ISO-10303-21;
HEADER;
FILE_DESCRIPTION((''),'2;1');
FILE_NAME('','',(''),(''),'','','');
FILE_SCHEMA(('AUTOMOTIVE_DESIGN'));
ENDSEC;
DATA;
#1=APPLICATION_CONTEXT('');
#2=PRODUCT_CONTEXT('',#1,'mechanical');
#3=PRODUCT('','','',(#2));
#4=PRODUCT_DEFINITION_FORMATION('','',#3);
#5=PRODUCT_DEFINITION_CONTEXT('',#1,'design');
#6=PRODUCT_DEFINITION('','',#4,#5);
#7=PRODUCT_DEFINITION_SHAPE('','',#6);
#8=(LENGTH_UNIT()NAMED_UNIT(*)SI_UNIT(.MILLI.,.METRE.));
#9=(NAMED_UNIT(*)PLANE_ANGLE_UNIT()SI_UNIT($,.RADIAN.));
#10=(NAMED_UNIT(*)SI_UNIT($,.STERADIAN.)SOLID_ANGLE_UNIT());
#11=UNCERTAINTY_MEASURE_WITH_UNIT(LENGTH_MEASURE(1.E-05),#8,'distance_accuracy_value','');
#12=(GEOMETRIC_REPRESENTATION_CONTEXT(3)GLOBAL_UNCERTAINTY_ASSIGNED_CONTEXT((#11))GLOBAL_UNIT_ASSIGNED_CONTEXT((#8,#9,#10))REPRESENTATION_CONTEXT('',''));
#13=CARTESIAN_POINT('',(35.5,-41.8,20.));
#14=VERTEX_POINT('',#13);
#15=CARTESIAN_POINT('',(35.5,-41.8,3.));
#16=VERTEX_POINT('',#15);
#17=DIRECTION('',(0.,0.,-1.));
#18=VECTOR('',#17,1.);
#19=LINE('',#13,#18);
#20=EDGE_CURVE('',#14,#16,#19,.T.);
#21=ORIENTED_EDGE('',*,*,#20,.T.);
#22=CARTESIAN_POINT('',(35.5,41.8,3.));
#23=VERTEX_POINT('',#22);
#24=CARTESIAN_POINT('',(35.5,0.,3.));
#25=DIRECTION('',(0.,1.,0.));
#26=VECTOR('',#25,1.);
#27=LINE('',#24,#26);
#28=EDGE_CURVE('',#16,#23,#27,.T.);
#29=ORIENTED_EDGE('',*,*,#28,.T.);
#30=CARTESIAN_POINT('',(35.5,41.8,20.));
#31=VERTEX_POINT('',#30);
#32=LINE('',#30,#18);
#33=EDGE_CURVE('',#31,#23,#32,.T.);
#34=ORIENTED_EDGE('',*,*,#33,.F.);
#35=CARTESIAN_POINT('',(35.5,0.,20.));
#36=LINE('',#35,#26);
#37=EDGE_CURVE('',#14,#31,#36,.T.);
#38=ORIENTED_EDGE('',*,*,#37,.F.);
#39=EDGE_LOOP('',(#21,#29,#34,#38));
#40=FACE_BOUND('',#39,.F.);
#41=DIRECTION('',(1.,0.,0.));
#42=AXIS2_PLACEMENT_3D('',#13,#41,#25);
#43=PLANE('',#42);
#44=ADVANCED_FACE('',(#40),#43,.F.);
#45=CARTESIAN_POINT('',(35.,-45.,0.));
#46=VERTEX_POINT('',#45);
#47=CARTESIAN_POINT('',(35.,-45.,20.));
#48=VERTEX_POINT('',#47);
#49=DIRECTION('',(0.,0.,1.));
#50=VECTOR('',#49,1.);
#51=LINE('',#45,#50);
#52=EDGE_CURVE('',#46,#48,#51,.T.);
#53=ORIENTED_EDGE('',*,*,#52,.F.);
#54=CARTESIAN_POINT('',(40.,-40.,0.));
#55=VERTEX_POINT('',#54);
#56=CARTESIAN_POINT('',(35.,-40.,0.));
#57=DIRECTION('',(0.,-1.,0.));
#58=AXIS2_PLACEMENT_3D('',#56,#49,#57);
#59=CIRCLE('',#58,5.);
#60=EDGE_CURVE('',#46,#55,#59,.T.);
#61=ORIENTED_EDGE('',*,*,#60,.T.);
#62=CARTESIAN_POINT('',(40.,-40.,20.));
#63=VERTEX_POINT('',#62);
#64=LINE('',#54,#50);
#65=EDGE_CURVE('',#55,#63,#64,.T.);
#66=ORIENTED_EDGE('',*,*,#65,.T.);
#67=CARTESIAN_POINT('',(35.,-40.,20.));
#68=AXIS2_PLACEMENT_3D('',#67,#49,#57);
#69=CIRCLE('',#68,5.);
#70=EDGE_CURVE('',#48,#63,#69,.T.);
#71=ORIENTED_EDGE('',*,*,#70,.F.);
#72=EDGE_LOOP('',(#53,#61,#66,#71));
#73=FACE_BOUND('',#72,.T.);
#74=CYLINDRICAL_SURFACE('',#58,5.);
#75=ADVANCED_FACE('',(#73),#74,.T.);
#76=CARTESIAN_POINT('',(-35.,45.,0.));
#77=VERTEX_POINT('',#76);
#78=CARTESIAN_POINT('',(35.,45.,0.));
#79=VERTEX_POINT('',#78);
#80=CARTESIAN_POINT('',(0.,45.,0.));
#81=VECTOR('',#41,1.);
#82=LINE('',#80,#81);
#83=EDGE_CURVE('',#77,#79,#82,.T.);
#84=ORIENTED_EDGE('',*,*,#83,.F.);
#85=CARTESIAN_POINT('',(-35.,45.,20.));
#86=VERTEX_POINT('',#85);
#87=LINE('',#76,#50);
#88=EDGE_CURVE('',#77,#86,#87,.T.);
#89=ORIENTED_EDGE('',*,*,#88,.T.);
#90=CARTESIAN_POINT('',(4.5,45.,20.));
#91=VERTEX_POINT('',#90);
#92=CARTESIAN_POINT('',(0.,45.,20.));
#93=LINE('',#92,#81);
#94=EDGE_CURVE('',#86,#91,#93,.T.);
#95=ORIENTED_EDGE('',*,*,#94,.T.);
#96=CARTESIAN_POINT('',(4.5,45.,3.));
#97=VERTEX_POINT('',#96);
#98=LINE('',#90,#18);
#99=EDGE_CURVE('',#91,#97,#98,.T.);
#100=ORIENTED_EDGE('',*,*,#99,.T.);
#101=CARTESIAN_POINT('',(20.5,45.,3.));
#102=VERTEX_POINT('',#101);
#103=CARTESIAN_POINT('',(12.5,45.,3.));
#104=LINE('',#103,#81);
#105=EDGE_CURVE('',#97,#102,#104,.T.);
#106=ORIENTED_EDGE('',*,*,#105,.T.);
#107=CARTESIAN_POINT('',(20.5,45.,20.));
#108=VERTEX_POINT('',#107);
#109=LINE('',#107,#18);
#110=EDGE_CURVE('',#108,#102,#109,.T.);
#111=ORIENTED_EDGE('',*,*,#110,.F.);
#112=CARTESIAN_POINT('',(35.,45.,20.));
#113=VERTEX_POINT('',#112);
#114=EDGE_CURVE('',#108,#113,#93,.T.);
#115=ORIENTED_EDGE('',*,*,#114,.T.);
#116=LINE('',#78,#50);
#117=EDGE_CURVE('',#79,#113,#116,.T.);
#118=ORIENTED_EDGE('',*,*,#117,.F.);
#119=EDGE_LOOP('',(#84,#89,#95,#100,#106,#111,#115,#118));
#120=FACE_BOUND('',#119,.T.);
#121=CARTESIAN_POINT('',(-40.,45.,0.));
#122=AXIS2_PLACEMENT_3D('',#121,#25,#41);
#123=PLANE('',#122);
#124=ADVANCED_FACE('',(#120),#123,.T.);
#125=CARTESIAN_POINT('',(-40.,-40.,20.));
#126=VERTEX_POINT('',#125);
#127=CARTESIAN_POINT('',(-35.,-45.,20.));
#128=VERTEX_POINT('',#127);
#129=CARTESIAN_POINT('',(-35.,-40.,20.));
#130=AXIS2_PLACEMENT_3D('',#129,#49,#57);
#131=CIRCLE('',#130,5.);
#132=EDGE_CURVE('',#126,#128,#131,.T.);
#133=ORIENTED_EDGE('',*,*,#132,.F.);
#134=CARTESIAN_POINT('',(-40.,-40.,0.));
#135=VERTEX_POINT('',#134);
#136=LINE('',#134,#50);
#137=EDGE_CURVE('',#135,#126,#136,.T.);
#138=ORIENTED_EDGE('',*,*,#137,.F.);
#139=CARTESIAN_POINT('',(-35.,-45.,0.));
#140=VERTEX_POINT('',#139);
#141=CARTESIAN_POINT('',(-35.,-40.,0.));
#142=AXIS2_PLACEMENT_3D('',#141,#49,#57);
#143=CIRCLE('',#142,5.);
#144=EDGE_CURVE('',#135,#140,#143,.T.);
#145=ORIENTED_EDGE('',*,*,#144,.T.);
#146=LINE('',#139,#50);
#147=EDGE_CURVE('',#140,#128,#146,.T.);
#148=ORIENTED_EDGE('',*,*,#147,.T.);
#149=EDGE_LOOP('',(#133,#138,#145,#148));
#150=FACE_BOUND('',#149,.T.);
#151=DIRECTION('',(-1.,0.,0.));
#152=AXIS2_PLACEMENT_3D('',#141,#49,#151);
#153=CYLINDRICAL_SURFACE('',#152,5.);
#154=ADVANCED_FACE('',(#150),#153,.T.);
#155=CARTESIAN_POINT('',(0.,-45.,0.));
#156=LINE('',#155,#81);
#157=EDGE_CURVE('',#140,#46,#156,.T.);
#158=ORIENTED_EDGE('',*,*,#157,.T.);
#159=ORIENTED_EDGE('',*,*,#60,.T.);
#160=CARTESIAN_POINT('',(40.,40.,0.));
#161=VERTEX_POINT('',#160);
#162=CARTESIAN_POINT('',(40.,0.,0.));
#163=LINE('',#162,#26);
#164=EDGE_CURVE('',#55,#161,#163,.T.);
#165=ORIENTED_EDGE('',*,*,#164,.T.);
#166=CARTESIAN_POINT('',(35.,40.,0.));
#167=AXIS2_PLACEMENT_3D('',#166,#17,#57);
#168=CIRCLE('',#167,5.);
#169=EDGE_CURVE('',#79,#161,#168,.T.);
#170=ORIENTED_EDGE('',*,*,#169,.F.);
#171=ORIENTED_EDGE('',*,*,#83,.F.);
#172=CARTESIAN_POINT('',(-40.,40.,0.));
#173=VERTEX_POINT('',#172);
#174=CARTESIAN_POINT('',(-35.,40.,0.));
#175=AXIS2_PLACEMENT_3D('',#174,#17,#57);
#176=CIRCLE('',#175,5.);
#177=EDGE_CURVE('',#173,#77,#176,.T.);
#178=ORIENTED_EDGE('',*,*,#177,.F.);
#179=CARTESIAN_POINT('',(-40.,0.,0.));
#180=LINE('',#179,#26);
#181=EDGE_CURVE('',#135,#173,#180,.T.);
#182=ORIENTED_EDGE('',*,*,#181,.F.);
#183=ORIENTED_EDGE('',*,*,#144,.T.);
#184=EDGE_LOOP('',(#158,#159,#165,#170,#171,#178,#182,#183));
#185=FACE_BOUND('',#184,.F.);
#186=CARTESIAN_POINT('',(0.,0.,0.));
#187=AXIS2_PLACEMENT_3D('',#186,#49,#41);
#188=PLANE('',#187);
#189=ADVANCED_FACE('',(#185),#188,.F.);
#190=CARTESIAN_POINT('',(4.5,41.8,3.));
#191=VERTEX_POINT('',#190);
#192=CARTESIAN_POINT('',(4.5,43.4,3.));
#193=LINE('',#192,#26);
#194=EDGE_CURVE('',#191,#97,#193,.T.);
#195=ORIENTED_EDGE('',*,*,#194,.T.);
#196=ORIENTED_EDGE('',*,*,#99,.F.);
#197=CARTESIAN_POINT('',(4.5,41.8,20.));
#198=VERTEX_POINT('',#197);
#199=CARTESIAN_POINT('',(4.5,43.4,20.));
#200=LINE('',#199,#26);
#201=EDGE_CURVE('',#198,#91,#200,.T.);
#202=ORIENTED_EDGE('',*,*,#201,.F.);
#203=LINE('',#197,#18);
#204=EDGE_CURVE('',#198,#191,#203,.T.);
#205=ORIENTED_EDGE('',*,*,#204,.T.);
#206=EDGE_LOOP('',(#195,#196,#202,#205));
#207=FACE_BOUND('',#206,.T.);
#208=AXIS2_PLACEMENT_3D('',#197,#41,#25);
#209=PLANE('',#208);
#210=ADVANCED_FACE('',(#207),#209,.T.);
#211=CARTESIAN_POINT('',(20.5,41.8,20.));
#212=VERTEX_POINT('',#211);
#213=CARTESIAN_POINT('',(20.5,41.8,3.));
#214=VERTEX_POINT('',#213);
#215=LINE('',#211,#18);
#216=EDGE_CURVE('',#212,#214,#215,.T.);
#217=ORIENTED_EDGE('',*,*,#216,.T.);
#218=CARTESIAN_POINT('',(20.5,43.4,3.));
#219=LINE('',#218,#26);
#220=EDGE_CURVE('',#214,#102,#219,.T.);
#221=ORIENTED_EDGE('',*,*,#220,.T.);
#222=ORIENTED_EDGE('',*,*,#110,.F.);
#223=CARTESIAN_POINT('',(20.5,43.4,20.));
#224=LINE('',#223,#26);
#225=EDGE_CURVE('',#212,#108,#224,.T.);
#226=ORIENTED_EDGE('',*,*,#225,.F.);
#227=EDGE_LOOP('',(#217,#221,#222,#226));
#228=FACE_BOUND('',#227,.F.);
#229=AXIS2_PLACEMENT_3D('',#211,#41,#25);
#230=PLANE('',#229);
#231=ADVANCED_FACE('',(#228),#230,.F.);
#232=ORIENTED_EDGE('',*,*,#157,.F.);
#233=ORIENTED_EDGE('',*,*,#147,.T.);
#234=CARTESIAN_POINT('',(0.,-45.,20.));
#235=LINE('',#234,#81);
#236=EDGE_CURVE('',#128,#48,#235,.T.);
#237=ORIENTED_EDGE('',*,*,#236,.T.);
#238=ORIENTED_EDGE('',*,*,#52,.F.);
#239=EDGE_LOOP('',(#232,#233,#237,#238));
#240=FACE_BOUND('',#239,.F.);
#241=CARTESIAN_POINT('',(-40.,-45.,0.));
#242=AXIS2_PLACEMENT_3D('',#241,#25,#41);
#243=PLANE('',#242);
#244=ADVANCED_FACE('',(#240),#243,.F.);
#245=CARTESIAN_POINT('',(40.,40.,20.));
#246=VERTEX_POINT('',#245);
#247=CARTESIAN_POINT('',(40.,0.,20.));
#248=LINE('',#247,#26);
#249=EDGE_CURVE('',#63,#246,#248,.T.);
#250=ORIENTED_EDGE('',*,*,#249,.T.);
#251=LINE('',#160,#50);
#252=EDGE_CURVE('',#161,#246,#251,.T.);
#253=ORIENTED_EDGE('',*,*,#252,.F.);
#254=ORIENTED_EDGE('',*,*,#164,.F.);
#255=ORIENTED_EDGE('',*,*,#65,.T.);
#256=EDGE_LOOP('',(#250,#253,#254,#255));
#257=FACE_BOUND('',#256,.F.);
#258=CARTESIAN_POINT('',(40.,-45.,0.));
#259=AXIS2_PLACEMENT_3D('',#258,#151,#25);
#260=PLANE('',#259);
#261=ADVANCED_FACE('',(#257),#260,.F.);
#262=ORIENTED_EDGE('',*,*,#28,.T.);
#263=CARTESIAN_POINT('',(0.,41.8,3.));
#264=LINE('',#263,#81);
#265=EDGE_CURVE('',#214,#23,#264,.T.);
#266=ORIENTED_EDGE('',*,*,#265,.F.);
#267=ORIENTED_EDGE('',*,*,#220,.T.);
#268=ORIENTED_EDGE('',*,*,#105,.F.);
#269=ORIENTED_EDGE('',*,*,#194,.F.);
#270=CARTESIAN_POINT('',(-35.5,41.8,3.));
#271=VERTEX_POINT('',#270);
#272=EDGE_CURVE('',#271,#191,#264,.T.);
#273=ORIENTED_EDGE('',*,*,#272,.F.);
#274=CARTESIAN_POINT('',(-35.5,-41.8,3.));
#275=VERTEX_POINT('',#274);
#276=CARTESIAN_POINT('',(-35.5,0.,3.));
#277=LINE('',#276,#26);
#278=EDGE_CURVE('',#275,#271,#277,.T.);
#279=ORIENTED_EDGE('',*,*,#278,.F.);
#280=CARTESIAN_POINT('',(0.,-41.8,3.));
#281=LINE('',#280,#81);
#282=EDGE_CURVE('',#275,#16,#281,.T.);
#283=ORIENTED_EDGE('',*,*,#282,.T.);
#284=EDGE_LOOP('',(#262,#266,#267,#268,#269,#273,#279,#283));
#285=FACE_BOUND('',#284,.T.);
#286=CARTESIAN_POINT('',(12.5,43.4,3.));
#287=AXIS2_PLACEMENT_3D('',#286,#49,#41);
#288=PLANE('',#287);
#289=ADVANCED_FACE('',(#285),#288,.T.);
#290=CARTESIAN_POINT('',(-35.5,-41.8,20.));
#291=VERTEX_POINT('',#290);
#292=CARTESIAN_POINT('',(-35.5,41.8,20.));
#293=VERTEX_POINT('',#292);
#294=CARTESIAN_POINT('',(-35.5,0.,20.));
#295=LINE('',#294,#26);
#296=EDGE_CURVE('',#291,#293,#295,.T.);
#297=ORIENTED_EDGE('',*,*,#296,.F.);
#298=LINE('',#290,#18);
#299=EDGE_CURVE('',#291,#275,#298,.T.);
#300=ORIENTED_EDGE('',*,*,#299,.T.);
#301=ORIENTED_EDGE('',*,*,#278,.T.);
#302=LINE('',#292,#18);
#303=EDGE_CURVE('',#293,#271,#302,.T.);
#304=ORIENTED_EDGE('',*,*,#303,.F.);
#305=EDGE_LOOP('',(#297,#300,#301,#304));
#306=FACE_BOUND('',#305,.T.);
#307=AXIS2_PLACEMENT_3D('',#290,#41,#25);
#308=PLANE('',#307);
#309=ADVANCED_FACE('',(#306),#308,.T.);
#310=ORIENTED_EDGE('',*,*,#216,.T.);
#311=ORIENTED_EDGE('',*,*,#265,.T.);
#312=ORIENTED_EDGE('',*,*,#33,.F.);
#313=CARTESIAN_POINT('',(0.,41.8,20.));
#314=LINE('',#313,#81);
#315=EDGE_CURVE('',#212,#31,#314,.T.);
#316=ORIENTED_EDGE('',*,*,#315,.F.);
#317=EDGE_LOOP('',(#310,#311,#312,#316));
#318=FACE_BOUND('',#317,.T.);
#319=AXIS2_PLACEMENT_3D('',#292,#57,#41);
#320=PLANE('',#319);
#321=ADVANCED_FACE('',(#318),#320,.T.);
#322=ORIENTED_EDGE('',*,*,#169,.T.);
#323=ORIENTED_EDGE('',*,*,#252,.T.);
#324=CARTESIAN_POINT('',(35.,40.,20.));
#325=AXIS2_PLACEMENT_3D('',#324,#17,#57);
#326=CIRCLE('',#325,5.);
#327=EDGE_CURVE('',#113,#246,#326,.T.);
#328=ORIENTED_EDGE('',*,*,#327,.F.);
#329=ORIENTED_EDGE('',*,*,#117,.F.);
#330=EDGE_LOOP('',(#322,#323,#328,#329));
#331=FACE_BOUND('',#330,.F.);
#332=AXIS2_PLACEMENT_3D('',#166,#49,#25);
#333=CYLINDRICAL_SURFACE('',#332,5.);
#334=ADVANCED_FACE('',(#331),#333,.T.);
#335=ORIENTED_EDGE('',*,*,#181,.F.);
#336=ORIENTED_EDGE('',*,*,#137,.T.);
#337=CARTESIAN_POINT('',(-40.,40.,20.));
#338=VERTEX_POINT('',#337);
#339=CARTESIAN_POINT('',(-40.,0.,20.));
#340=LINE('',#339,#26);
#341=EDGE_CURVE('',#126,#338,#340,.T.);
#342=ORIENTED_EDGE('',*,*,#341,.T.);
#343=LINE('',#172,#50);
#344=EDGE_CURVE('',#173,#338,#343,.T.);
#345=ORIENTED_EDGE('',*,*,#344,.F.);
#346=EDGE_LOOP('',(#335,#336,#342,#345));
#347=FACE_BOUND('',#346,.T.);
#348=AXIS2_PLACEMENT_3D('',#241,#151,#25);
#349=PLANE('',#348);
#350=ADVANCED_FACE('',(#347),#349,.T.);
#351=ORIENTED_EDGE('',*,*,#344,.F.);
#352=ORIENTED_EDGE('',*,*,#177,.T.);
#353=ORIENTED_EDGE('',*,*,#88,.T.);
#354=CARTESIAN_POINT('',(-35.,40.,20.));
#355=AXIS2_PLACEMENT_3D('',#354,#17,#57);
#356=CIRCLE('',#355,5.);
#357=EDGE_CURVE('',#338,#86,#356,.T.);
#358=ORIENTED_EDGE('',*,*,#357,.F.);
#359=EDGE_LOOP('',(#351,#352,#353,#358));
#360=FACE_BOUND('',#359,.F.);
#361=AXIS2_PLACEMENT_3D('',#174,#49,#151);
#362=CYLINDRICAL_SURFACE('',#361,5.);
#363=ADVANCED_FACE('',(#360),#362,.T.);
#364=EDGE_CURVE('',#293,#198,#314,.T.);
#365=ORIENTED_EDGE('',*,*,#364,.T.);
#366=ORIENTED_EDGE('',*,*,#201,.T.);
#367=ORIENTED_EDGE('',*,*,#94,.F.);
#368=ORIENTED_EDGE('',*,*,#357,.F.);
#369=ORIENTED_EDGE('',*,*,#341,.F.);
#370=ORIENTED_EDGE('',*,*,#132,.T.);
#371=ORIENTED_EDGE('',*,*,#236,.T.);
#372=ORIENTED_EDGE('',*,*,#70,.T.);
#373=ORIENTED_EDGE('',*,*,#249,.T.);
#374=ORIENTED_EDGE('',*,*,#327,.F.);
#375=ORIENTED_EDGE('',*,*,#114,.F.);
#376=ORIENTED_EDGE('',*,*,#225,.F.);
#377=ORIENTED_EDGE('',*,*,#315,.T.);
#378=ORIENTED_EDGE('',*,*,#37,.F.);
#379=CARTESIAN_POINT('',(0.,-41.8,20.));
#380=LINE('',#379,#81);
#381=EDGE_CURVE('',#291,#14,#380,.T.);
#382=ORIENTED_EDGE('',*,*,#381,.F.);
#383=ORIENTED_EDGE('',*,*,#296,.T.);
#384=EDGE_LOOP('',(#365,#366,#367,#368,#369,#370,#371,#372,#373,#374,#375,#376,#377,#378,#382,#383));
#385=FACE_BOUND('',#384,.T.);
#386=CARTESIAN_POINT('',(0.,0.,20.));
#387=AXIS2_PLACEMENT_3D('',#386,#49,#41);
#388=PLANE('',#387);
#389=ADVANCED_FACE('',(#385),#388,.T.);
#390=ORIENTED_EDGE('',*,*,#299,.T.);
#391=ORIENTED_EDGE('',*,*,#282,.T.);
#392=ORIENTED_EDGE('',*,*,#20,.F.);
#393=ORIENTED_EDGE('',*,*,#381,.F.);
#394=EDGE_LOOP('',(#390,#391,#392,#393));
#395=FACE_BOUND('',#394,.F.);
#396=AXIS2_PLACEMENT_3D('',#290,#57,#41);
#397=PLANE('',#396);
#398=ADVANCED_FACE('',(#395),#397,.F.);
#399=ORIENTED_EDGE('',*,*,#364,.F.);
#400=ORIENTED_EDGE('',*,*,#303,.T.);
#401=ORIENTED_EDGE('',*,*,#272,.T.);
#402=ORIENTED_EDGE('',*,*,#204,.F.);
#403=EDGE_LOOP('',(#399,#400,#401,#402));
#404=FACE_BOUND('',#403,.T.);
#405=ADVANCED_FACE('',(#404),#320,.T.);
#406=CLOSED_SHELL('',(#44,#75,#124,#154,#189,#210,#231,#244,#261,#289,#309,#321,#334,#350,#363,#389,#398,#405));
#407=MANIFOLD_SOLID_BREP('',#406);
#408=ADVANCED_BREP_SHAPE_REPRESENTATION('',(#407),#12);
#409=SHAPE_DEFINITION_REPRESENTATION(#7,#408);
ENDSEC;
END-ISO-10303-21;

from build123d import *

# Parameters (mm, degrees)
F0_W     = 80
F0_H     = 90
F1_DEPTH = 20
F2_W     = 71
F2_H     = 83.6
F3_DEPTH = 17
F4_W     = 16
F4_H     = 3.2
F5_DEPTH = 17
F6_R     = 5


with BuildPart() as f1:
    # F0 (on Top) → F1 (new body)
    with BuildSketch(Plane.XY):
        Rectangle(F0_W, F0_H)
    extrude(amount=F1_DEPTH)

    # F2 (on face) → F3 (cut)
    with BuildSketch(Plane.XY.offset(20)):
        Rectangle(F2_W, F2_H)
    extrude(amount=-F3_DEPTH, mode=Mode.SUBTRACT)

    # F4 (on face) → F5 (cut, through all)
    with BuildSketch(Plane.XY.offset(20)):
        with Locations((12.5, 43.4)):
            Rectangle(F4_W, F4_H)
    extrude(amount=-F5_DEPTH, mode=Mode.SUBTRACT)

    # F6
    f6_edges = [f1.edges().sort_by_distance(p)[0] for p in [
        (40, 45, 10),
        (-40, 45, 10),
        (40, -45, 10),
        (-40, -45, 10),
    ]]
    fillet(f6_edges, radius=F6_R)


solid = f1.part
